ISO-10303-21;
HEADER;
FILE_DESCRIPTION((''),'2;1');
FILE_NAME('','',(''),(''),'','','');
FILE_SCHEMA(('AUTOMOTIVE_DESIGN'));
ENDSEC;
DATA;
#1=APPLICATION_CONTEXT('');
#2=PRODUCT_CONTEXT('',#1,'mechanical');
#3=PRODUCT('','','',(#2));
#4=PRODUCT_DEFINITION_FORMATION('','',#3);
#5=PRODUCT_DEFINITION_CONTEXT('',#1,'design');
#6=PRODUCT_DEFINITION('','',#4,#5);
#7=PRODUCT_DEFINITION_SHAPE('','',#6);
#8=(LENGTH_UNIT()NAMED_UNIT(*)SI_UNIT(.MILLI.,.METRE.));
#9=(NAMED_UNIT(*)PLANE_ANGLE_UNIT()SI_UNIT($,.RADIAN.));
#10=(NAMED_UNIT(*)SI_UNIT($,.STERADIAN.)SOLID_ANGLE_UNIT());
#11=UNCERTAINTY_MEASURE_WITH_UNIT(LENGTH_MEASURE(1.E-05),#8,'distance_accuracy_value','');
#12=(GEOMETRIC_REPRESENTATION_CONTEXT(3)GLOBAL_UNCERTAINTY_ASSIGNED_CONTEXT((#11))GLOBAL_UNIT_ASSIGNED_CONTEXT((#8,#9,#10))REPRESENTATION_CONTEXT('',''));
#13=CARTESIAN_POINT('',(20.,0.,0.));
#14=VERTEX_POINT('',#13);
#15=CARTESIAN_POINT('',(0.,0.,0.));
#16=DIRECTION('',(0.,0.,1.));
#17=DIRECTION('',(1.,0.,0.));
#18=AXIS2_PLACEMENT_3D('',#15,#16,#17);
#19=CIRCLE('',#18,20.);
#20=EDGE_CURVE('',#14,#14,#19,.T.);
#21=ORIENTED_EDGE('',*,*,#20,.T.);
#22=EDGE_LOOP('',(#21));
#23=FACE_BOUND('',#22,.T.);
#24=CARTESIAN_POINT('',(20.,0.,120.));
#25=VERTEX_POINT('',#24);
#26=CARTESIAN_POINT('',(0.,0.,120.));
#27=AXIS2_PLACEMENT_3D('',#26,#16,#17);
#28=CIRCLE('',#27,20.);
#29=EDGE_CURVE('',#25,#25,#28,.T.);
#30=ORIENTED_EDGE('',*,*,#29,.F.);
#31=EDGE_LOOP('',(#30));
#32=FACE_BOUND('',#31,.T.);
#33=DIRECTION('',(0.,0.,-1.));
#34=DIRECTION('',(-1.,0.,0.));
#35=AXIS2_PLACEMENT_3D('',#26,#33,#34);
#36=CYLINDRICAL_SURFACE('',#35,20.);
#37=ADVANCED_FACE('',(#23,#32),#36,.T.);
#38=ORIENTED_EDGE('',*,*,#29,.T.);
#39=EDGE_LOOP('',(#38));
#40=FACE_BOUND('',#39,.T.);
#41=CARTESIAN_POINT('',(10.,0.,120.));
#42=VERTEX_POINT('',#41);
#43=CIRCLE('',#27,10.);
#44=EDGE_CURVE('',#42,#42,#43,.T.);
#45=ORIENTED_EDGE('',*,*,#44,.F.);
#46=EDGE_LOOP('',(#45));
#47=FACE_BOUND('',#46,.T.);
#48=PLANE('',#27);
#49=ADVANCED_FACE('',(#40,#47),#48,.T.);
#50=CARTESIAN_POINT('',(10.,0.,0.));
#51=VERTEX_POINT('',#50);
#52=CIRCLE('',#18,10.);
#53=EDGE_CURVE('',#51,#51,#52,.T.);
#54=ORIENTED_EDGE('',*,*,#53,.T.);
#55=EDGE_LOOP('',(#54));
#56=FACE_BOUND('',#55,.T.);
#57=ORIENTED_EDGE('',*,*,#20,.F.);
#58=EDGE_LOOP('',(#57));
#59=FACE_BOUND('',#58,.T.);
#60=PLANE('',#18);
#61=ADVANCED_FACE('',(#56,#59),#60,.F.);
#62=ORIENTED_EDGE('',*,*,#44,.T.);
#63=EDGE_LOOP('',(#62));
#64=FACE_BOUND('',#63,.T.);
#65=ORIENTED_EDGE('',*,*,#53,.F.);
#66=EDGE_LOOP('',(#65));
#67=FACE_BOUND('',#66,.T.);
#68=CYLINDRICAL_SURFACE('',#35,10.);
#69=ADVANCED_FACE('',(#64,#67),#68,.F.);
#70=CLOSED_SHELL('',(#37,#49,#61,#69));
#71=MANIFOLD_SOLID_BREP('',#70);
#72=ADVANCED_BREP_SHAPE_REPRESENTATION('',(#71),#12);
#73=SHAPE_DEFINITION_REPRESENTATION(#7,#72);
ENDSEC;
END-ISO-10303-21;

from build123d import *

# Parameters (mm, degrees)
SKETCH1_R           = 20
SKETCH1_R_2         = 10
BOSS_EXTRUDE1_DEPTH = 120


with BuildPart() as part:
    # Sketch1 → Boss-Extrude1 (new body)
    with BuildSketch(Plane.XY):
        Circle(SKETCH1_R)
        Circle(SKETCH1_R_2, mode=Mode.SUBTRACT)
    extrude(amount=BOSS_EXTRUDE1_DEPTH)


solid = part.part
